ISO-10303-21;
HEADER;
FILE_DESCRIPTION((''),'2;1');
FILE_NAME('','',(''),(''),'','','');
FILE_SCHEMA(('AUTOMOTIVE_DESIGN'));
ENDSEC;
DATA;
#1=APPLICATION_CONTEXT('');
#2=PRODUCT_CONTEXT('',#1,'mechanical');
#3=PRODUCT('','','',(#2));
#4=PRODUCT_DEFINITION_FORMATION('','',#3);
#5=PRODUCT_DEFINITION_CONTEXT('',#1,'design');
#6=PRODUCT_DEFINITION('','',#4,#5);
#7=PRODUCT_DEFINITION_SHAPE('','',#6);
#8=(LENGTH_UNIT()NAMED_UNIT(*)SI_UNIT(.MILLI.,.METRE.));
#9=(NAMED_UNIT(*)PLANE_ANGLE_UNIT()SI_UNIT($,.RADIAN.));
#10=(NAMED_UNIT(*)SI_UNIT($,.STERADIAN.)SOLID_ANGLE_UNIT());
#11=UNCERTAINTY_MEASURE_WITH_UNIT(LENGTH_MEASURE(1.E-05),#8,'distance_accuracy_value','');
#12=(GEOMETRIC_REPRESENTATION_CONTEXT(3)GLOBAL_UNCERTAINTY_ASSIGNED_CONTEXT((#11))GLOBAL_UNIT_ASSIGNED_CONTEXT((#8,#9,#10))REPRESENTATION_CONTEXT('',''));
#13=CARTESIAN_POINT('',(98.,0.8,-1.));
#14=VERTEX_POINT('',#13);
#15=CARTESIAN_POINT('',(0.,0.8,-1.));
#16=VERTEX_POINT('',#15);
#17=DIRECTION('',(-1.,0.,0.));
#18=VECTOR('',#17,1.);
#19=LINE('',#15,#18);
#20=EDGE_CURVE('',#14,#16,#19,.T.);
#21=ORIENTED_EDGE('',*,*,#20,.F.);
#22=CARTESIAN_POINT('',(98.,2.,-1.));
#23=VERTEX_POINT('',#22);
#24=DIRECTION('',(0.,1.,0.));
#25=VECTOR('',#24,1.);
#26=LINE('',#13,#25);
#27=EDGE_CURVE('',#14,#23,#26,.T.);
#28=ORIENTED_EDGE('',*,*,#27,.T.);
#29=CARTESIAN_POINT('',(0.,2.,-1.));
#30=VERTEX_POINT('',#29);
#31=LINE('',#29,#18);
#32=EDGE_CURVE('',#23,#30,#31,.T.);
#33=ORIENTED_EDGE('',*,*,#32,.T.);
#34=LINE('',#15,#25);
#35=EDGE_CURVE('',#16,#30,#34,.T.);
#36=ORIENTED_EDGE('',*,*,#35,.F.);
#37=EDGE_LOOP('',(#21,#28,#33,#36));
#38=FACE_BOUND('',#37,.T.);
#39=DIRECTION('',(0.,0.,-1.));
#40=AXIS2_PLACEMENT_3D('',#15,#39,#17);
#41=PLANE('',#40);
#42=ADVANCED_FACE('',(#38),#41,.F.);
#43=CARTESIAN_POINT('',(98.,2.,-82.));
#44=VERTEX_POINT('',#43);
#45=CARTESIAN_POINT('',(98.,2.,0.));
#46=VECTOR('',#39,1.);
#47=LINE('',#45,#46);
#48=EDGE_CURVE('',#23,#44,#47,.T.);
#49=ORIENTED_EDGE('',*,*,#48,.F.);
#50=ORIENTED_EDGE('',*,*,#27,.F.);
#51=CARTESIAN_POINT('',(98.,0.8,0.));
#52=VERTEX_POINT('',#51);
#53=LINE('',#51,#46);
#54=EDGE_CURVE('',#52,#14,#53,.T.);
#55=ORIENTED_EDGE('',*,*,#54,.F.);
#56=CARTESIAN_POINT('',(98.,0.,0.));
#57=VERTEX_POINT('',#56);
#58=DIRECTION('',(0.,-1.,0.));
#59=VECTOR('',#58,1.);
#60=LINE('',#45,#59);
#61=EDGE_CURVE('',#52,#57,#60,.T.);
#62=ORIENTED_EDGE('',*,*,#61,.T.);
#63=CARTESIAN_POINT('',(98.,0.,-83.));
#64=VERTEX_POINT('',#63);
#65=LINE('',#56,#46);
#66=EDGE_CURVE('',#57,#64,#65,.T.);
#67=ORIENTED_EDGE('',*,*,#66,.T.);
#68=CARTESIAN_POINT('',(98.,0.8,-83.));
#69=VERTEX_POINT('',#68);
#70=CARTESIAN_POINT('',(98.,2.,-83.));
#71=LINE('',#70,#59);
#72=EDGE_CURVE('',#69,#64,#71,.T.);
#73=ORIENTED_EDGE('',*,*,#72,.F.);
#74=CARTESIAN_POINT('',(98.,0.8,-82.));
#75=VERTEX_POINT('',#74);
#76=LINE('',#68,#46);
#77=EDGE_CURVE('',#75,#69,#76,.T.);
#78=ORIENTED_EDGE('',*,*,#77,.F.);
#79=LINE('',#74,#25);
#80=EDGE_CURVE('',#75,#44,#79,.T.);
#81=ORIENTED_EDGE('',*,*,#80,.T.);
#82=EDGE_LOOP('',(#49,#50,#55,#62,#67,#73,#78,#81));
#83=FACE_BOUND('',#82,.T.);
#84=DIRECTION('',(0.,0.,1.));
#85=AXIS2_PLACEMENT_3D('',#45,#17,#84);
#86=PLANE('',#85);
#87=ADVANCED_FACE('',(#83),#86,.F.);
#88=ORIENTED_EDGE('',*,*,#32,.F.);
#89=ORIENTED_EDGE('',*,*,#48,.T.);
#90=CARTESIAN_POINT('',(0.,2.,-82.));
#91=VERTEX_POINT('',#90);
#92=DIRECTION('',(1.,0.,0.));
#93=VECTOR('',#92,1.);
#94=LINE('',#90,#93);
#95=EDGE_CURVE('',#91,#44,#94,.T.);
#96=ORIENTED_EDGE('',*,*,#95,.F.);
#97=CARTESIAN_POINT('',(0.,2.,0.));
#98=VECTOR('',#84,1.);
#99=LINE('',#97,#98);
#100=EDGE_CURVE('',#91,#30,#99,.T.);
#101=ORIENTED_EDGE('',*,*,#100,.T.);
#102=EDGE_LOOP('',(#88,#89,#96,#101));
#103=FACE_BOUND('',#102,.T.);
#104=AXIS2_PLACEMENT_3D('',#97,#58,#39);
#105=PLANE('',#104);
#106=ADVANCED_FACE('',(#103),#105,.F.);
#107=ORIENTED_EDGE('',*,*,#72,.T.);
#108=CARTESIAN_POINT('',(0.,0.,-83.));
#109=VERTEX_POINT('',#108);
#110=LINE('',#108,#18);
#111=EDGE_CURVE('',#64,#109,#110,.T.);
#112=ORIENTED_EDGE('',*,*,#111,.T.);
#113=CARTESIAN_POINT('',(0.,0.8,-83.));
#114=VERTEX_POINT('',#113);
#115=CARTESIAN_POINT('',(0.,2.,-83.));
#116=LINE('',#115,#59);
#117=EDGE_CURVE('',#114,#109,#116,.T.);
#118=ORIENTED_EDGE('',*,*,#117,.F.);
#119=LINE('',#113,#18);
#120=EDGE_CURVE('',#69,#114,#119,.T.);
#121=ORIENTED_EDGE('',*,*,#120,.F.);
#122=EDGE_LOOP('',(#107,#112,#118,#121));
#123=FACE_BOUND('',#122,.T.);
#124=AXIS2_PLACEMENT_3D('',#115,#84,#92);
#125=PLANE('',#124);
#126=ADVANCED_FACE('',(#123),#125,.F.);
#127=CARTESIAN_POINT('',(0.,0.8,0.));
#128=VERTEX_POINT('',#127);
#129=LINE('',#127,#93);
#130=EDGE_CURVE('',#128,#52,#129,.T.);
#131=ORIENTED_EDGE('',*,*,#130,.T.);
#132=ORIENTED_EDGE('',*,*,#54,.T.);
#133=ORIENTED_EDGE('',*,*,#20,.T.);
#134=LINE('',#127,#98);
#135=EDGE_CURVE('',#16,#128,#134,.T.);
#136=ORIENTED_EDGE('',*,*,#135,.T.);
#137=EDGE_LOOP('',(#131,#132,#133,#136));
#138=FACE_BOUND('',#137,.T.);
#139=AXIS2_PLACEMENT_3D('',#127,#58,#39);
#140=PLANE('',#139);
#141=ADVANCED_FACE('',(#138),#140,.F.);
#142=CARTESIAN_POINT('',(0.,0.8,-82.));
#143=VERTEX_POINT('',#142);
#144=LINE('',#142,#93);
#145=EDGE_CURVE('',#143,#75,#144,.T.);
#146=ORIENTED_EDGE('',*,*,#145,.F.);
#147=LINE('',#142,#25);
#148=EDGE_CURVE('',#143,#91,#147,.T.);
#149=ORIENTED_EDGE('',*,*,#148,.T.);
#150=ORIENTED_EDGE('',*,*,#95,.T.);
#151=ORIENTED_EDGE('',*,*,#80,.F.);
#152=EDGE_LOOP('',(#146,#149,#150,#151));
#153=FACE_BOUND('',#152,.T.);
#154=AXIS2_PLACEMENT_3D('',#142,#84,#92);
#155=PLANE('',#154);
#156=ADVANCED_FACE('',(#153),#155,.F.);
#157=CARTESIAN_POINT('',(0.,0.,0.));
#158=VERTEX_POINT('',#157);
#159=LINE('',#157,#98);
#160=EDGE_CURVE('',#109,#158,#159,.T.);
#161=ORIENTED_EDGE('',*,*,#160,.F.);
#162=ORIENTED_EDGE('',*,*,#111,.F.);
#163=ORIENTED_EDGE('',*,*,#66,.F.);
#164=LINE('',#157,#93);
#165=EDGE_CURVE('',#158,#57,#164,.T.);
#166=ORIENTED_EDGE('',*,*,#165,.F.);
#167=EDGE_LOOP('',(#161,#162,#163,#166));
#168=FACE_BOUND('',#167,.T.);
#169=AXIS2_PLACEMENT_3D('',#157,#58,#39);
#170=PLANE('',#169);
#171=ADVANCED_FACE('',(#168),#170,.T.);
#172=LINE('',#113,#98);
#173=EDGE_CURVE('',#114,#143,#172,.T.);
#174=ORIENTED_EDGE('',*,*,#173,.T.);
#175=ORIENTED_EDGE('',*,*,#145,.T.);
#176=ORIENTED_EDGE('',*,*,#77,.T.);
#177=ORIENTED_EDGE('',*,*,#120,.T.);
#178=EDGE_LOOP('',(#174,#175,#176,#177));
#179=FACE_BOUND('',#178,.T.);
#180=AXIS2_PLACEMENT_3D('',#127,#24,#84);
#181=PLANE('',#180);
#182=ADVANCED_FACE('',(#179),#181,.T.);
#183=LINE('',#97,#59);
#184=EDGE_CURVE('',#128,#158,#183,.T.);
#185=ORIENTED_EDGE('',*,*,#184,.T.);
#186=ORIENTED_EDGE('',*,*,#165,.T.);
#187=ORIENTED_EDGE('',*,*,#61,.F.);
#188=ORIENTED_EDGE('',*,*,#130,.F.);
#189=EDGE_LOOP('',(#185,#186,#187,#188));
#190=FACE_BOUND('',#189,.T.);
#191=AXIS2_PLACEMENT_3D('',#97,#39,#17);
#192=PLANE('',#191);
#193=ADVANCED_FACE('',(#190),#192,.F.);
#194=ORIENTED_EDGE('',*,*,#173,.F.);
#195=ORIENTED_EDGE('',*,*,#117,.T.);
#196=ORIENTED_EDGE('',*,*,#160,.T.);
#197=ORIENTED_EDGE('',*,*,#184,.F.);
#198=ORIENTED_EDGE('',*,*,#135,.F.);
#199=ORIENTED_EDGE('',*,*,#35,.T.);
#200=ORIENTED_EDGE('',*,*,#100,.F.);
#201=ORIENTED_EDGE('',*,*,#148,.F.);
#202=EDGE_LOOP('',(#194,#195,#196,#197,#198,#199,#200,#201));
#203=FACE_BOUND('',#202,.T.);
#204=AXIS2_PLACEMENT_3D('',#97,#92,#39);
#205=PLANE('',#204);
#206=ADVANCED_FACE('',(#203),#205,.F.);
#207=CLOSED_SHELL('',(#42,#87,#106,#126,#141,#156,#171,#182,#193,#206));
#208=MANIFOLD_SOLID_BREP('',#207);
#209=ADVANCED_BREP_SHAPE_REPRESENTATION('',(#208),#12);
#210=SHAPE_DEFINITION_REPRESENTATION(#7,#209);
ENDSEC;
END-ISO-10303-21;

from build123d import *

# Parameters (mm, degrees)
SKETCH2_W           = 98
SKETCH2_H           = 83
BOSS_EXTRUDE1_DEPTH = 2
SKETCH3_W           = 98
SKETCH3_H           = 1
CUT_EXTRUDE1_DEPTH  = 1.2


with BuildPart() as part:
    # Sketch2 → Boss-Extrude1 (new body)
    with BuildSketch(Plane(origin=(0, 0, 0), x_dir=(1, 0, 0), z_dir=(0, 1, 0))):
        with Locations((49, 41.5)):
            Rectangle(SKETCH2_W, SKETCH2_H)
    extrude(amount=BOSS_EXTRUDE1_DEPTH)

    # Sketch3 → Cut-Extrude1 (cut)
    with BuildSketch(Plane(origin=(0, 2, 0), x_dir=(1, 0, 0), z_dir=(0, 1, 0))):
        with Locations((49, 0.5)):
            Rectangle(SKETCH3_W, SKETCH3_H)
        with Locations((49, 82.5)):
            Rectangle(SKETCH3_W, SKETCH3_H)
    extrude(amount=-CUT_EXTRUDE1_DEPTH, mode=Mode.SUBTRACT)


solid = part.part
